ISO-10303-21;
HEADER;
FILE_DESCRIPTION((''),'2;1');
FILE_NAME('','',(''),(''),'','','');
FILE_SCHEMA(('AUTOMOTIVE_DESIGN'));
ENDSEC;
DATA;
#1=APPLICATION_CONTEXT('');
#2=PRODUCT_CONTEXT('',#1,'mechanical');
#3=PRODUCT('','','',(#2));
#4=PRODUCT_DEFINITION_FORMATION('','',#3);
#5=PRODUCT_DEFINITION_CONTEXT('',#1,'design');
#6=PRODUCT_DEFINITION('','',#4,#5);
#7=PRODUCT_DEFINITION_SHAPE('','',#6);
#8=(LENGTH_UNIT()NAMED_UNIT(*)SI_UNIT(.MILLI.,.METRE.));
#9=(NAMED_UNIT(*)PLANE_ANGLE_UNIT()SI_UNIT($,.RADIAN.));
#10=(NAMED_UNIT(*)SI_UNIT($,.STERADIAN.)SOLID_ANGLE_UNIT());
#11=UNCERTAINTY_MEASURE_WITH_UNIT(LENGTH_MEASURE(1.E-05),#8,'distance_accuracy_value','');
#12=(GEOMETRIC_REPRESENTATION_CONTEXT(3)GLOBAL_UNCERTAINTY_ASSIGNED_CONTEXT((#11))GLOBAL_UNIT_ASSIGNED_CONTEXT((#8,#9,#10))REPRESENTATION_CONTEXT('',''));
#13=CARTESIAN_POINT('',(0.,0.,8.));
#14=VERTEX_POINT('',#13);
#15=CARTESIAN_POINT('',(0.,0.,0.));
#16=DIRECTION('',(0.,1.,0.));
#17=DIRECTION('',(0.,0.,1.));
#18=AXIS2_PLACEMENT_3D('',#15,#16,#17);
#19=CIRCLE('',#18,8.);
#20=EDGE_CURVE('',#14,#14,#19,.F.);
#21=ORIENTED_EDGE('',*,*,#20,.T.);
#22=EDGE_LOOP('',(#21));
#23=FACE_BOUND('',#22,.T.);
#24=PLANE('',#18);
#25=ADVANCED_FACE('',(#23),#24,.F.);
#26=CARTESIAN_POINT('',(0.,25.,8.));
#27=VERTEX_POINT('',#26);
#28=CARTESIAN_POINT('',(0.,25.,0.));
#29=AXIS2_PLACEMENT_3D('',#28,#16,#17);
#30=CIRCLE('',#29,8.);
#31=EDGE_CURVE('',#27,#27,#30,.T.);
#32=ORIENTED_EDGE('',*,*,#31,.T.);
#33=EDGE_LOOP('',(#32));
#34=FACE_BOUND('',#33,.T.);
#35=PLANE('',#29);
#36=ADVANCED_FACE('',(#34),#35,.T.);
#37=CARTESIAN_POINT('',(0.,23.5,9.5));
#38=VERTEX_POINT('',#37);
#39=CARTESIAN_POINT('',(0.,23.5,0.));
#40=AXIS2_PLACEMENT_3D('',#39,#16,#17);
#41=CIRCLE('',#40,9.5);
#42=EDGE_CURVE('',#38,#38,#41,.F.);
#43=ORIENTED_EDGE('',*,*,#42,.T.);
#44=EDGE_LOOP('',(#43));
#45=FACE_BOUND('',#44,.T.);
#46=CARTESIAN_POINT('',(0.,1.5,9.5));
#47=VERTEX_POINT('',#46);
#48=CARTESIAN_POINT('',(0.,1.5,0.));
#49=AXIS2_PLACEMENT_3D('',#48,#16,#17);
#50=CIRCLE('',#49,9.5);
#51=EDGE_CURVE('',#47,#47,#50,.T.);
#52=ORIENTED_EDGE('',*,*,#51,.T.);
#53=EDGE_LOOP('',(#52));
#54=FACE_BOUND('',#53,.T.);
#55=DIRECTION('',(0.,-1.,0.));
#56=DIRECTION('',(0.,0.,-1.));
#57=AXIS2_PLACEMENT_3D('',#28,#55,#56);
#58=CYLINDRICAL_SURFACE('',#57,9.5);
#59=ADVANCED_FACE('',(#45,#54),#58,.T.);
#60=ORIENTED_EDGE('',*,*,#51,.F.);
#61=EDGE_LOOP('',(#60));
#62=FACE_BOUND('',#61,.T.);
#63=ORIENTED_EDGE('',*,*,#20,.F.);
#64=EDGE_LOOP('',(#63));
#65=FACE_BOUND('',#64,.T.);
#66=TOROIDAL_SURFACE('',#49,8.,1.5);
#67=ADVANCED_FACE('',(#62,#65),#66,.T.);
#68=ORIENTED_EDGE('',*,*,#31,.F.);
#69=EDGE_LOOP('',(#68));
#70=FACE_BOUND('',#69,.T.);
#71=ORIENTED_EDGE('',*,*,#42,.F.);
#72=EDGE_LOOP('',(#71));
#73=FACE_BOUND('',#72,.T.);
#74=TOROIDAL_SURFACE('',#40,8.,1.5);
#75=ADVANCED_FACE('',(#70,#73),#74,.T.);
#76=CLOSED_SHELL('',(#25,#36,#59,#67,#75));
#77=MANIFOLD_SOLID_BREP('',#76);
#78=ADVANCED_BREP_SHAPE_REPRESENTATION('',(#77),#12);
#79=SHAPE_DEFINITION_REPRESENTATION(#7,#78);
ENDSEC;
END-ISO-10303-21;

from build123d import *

# Parameters (mm, degrees)
SKETCH_1_R      = 9.5
EXTRUDE_1_DEPTH = 25
FILLET_1_R      = 1.5


with BuildPart() as part:
    # Эскиз1 → Бобышка-Вытянуть1 (new body)
    with BuildSketch(Plane(origin=(0, 0, 0), x_dir=(1, 0, 0), z_dir=(0, 1, 0))):
        with Locations(Location((0, 0, 0), (0, 0, 270))):
            Circle(SKETCH_1_R)
    extrude(amount=EXTRUDE_1_DEPTH)

    # Скругление1
    fillet_1_edges = [part.edges().sort_by_distance(p)[0] for p in [
        (0, 0, -9.5),
        (0, 25, -9.5),
    ]]
    fillet(fillet_1_edges, radius=FILLET_1_R)


solid = part.part
